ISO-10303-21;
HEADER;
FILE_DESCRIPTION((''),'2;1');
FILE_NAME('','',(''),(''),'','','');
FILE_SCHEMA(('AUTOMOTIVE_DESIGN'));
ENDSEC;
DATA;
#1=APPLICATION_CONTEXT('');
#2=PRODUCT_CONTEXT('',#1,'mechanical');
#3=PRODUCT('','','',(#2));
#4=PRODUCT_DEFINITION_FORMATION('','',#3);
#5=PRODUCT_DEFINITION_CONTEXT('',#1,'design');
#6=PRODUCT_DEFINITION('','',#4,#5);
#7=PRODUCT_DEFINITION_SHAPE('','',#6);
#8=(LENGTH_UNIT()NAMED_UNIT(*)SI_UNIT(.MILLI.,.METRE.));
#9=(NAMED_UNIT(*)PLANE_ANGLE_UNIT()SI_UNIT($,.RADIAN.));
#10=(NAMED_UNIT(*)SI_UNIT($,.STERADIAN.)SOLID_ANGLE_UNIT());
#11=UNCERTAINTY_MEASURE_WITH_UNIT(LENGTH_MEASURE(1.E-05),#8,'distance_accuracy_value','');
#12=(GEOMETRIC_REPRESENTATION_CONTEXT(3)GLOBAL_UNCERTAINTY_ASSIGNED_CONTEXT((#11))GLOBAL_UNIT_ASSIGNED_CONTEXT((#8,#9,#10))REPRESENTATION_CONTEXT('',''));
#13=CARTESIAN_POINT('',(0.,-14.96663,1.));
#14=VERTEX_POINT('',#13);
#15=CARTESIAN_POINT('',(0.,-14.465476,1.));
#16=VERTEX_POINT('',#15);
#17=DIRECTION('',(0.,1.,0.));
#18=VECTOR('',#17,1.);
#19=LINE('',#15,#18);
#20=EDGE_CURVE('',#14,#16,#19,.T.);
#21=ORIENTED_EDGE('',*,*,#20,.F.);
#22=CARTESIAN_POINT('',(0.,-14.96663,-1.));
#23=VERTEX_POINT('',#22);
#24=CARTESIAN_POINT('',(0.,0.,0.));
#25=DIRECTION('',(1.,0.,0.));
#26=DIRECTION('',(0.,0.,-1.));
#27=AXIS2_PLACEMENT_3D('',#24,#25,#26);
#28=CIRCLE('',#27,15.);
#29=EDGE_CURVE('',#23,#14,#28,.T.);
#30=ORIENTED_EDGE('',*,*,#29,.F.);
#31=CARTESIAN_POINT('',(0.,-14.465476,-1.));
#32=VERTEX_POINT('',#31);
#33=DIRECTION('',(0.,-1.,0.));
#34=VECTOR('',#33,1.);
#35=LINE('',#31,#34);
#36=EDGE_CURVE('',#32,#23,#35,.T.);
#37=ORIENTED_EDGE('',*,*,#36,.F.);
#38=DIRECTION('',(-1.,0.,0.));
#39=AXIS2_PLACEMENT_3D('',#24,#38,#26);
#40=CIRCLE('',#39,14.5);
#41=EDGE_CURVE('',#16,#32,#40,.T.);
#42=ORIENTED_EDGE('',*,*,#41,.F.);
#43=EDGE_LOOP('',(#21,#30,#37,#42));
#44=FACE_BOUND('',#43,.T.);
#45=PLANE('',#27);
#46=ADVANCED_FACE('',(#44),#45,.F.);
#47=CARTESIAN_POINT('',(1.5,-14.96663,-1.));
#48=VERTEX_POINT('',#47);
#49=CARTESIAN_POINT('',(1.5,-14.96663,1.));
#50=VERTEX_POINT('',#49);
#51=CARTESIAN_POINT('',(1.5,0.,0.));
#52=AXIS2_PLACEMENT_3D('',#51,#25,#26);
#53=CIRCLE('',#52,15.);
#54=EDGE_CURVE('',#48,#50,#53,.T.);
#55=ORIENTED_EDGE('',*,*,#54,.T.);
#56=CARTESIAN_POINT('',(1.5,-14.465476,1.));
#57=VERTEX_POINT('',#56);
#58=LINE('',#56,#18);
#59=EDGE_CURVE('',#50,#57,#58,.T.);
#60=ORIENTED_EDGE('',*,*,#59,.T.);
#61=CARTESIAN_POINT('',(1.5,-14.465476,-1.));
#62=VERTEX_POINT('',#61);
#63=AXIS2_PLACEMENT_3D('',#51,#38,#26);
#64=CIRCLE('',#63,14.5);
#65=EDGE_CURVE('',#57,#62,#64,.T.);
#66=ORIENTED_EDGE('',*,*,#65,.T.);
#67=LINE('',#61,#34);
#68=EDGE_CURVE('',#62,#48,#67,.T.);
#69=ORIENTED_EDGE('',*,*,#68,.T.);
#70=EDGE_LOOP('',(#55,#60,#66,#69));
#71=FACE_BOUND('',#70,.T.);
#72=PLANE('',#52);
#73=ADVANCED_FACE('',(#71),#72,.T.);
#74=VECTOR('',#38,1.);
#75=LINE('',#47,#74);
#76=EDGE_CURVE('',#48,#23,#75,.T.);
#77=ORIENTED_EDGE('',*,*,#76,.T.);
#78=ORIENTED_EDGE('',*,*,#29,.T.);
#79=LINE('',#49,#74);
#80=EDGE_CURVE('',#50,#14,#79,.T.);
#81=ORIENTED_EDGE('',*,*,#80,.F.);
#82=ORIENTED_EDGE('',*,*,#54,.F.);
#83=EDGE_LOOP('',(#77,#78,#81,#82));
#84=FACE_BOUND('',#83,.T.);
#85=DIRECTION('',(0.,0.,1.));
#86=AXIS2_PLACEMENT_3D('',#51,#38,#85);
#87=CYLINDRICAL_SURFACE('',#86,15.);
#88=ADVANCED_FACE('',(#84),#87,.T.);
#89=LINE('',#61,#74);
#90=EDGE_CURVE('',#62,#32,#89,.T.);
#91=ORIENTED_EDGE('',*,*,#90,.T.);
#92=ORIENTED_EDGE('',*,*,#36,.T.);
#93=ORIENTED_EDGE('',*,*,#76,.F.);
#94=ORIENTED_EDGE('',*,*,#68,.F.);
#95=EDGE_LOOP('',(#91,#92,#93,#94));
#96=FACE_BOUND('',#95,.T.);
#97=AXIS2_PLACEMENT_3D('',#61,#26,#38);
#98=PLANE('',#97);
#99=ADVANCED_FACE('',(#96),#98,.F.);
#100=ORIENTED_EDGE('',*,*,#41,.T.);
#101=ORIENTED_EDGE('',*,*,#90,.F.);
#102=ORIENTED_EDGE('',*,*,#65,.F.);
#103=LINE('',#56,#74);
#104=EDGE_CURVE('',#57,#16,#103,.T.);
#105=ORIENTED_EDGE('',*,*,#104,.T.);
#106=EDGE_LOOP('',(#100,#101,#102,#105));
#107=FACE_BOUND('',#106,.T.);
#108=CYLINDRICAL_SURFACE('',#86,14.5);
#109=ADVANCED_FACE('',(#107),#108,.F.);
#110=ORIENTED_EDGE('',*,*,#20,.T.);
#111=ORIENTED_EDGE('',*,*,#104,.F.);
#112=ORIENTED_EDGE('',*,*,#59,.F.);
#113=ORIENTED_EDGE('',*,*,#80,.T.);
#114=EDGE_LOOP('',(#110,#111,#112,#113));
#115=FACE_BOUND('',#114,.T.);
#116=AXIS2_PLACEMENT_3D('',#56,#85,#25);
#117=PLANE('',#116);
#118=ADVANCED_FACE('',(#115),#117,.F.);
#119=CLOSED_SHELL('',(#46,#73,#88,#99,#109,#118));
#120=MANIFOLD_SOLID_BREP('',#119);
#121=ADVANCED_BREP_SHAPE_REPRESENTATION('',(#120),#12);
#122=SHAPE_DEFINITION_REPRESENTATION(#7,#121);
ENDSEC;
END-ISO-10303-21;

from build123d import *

# Parameters (mm, degrees)
BOSS_EXTRUDE1_DEPTH = 1.5


with BuildPart() as part:
    # Sketch2 → Boss-Extrude1 (new body)
    with BuildSketch(Plane(origin=(0, 0, 0), x_dir=(0, 0, -1), z_dir=(1, 0, 0))):
        with BuildLine():
            Line((-1, -14.465476141), (-1, -14.966629547))
            ThreePointArc((-1, -14.966629547), (0, 15), (1, -14.966629547))
            Line((1, -14.966629547), (1, -14.465476141))
            ThreePointArc((1, -14.465476141), (0, 14.5), (-1, -14.465476141))
        make_face()
    extrude(amount=BOSS_EXTRUDE1_DEPTH)


solid = part.part
